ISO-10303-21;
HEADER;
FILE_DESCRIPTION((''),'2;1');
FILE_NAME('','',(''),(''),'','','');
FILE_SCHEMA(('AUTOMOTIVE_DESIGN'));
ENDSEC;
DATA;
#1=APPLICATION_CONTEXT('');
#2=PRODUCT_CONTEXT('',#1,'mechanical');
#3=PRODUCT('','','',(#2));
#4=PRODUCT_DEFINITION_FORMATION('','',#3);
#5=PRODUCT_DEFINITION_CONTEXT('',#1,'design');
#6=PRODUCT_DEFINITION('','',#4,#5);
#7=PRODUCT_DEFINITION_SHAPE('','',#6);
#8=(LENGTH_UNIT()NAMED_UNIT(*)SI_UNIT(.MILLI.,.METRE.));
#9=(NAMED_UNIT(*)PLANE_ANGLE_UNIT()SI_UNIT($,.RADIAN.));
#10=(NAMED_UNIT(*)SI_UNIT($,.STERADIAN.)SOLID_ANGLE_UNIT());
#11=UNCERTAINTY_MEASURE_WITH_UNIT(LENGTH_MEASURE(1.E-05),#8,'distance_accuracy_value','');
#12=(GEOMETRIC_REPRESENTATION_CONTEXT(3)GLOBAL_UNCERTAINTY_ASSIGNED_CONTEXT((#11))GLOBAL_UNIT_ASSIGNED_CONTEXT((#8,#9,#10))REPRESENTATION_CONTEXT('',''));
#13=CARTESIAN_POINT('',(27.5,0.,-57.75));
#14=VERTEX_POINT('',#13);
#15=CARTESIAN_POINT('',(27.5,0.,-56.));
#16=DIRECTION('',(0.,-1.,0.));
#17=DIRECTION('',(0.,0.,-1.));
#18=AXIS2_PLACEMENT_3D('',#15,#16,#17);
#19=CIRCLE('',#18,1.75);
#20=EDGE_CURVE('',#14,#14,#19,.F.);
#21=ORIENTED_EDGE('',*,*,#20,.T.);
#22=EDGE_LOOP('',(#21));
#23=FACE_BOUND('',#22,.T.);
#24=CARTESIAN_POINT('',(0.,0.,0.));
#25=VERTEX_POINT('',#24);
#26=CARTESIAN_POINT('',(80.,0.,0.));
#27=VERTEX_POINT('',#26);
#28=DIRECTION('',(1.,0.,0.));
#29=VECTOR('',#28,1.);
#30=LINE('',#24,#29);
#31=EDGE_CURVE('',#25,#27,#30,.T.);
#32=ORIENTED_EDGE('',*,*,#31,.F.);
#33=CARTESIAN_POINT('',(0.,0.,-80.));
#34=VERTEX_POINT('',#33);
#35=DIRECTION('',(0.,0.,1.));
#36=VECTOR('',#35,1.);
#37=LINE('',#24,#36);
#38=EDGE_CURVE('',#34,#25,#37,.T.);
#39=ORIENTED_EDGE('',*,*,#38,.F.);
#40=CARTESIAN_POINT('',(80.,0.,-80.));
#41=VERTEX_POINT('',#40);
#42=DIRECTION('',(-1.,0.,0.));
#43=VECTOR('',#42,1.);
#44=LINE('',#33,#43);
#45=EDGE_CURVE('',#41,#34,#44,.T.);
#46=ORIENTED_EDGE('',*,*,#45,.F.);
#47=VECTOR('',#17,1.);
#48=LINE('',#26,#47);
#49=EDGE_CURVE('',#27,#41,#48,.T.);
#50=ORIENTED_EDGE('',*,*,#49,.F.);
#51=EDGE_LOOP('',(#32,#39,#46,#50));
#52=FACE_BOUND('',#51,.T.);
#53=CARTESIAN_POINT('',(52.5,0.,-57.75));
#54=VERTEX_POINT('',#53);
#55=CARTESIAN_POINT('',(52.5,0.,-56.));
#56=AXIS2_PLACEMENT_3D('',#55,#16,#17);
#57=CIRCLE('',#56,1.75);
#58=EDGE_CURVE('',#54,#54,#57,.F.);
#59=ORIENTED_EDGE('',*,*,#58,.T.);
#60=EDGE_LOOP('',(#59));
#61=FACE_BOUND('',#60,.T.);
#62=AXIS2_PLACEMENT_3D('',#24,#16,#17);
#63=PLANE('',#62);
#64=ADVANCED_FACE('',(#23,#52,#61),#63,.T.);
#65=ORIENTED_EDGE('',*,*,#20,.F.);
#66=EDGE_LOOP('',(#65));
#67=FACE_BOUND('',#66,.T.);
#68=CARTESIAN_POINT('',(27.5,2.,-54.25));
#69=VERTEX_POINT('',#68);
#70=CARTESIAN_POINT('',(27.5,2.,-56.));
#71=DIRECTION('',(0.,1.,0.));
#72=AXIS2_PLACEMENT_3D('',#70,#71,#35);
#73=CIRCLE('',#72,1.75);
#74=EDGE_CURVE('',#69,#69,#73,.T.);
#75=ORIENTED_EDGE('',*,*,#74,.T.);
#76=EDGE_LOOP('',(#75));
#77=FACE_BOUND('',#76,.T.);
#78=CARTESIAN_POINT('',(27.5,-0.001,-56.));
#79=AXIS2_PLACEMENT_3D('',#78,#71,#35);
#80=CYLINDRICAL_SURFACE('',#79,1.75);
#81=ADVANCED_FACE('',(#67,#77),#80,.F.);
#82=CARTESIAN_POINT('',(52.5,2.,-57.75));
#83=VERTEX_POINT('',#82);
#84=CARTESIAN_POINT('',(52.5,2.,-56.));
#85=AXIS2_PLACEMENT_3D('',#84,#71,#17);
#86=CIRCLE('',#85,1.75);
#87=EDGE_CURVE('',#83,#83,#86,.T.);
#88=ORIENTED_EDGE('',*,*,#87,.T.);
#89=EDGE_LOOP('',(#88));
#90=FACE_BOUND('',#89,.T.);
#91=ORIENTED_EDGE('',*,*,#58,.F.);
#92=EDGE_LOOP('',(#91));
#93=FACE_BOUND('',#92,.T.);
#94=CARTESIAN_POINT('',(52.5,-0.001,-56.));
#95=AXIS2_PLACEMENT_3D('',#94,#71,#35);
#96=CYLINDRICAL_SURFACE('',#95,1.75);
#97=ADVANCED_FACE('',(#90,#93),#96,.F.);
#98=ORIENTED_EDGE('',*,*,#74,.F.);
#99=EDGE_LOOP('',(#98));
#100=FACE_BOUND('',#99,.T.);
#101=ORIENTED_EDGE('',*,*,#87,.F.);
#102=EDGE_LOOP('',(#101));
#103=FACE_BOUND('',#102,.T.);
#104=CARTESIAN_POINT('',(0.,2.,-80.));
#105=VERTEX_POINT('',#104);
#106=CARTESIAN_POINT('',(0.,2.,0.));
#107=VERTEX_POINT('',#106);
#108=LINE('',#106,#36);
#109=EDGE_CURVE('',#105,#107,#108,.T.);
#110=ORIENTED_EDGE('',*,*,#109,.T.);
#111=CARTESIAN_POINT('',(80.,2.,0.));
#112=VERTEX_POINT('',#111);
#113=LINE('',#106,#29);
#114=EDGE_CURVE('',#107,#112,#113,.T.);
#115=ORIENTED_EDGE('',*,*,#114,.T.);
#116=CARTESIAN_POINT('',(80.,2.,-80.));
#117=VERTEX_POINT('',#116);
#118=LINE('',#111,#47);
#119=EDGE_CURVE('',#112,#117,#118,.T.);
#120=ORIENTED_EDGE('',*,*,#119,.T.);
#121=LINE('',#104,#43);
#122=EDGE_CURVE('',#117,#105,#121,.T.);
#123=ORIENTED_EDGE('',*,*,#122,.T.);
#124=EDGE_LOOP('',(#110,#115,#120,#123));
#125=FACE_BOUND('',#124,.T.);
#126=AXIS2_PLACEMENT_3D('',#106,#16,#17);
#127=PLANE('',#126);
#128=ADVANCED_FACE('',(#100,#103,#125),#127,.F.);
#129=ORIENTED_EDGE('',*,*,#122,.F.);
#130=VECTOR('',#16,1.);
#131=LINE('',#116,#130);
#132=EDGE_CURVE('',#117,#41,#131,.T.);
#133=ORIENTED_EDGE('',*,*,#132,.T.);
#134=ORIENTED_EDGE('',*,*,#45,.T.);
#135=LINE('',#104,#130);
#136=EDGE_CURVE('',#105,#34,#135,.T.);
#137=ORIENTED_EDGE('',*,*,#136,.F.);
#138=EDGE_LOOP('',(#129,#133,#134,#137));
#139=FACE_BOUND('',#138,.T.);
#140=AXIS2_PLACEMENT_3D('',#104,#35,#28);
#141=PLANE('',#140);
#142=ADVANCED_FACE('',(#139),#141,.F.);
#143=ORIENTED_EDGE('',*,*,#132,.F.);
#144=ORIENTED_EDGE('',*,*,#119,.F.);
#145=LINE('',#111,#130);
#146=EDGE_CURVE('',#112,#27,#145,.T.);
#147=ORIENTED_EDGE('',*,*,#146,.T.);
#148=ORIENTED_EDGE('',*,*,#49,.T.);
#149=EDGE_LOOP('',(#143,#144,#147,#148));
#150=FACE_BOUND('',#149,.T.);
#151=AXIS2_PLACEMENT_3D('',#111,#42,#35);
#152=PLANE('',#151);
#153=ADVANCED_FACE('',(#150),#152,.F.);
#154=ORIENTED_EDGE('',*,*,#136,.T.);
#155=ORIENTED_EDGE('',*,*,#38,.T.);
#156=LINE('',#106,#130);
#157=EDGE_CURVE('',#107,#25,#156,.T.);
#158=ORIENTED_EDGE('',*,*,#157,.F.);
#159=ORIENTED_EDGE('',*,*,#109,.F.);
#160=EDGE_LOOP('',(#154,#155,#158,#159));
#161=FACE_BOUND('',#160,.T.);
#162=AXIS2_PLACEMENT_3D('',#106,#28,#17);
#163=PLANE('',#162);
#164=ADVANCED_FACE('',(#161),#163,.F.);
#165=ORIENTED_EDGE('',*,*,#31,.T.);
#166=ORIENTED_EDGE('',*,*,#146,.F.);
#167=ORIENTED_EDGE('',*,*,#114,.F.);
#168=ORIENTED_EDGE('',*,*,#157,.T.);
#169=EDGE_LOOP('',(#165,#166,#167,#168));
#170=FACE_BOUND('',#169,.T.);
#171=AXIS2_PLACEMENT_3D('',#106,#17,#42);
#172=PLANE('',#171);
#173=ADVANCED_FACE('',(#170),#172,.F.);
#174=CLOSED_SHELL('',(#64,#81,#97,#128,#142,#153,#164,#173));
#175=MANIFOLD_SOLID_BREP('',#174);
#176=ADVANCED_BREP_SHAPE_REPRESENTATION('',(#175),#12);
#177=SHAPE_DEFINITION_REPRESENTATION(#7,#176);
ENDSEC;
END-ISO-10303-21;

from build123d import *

# Parameters (mm, degrees)
ESQUISSE1_W             = 80
ESQUISSE1_H             = 80
BOSS_EXTRU_1_DEPTH      = 2
ENL_V_MAT_EXTRU_1_REACH = 4
ESQUISSE2_R             = 1.75


with BuildPart() as part:
    # Esquisse1 → Boss.-Extru.1 (new body)
    with BuildSketch(Plane(origin=(0, 0, 0), x_dir=(1, 0, 0), z_dir=(0, 1, 0))):
        with Locations((40, 40)):
            Rectangle(ESQUISSE1_W, ESQUISSE1_H)
    extrude(amount=BOSS_EXTRU_1_DEPTH)

    # Esquisse2 → Enlèv. mat.-Extru.1 (cut, up to next)
    with BuildSketch(Plane(origin=(0, 2, 0), x_dir=(1, 0, 0), z_dir=(0, 1, 0)), mode=Mode.PRIVATE) as enl_v_mat_extru_1_sk1:
        with Locations((27.5, 56)):
            Circle(ESQUISSE2_R)
    enl_v_mat_extru_1_tool1 = extrude(enl_v_mat_extru_1_sk1.sketch, amount=-ENL_V_MAT_EXTRU_1_REACH, mode=Mode.PRIVATE) & part.part
    add(enl_v_mat_extru_1_tool1.solids().sort_by_distance((27.5, 2, -56))[0], mode=Mode.SUBTRACT)
    # Esquisse2 → Enlèv. mat.-Extru.1 (cut, up to next)
    with BuildSketch(Plane(origin=(0, 2, 0), x_dir=(1, 0, 0), z_dir=(0, 1, 0)), mode=Mode.PRIVATE) as enl_v_mat_extru_1_sk2:
        with Locations((52.5, 56)):
            Circle(ESQUISSE2_R)
    enl_v_mat_extru_1_tool2 = extrude(enl_v_mat_extru_1_sk2.sketch, amount=-ENL_V_MAT_EXTRU_1_REACH, mode=Mode.PRIVATE) & part.part
    add(enl_v_mat_extru_1_tool2.solids().sort_by_distance((52.5, 2, -56))[0], mode=Mode.SUBTRACT)


solid = part.part
